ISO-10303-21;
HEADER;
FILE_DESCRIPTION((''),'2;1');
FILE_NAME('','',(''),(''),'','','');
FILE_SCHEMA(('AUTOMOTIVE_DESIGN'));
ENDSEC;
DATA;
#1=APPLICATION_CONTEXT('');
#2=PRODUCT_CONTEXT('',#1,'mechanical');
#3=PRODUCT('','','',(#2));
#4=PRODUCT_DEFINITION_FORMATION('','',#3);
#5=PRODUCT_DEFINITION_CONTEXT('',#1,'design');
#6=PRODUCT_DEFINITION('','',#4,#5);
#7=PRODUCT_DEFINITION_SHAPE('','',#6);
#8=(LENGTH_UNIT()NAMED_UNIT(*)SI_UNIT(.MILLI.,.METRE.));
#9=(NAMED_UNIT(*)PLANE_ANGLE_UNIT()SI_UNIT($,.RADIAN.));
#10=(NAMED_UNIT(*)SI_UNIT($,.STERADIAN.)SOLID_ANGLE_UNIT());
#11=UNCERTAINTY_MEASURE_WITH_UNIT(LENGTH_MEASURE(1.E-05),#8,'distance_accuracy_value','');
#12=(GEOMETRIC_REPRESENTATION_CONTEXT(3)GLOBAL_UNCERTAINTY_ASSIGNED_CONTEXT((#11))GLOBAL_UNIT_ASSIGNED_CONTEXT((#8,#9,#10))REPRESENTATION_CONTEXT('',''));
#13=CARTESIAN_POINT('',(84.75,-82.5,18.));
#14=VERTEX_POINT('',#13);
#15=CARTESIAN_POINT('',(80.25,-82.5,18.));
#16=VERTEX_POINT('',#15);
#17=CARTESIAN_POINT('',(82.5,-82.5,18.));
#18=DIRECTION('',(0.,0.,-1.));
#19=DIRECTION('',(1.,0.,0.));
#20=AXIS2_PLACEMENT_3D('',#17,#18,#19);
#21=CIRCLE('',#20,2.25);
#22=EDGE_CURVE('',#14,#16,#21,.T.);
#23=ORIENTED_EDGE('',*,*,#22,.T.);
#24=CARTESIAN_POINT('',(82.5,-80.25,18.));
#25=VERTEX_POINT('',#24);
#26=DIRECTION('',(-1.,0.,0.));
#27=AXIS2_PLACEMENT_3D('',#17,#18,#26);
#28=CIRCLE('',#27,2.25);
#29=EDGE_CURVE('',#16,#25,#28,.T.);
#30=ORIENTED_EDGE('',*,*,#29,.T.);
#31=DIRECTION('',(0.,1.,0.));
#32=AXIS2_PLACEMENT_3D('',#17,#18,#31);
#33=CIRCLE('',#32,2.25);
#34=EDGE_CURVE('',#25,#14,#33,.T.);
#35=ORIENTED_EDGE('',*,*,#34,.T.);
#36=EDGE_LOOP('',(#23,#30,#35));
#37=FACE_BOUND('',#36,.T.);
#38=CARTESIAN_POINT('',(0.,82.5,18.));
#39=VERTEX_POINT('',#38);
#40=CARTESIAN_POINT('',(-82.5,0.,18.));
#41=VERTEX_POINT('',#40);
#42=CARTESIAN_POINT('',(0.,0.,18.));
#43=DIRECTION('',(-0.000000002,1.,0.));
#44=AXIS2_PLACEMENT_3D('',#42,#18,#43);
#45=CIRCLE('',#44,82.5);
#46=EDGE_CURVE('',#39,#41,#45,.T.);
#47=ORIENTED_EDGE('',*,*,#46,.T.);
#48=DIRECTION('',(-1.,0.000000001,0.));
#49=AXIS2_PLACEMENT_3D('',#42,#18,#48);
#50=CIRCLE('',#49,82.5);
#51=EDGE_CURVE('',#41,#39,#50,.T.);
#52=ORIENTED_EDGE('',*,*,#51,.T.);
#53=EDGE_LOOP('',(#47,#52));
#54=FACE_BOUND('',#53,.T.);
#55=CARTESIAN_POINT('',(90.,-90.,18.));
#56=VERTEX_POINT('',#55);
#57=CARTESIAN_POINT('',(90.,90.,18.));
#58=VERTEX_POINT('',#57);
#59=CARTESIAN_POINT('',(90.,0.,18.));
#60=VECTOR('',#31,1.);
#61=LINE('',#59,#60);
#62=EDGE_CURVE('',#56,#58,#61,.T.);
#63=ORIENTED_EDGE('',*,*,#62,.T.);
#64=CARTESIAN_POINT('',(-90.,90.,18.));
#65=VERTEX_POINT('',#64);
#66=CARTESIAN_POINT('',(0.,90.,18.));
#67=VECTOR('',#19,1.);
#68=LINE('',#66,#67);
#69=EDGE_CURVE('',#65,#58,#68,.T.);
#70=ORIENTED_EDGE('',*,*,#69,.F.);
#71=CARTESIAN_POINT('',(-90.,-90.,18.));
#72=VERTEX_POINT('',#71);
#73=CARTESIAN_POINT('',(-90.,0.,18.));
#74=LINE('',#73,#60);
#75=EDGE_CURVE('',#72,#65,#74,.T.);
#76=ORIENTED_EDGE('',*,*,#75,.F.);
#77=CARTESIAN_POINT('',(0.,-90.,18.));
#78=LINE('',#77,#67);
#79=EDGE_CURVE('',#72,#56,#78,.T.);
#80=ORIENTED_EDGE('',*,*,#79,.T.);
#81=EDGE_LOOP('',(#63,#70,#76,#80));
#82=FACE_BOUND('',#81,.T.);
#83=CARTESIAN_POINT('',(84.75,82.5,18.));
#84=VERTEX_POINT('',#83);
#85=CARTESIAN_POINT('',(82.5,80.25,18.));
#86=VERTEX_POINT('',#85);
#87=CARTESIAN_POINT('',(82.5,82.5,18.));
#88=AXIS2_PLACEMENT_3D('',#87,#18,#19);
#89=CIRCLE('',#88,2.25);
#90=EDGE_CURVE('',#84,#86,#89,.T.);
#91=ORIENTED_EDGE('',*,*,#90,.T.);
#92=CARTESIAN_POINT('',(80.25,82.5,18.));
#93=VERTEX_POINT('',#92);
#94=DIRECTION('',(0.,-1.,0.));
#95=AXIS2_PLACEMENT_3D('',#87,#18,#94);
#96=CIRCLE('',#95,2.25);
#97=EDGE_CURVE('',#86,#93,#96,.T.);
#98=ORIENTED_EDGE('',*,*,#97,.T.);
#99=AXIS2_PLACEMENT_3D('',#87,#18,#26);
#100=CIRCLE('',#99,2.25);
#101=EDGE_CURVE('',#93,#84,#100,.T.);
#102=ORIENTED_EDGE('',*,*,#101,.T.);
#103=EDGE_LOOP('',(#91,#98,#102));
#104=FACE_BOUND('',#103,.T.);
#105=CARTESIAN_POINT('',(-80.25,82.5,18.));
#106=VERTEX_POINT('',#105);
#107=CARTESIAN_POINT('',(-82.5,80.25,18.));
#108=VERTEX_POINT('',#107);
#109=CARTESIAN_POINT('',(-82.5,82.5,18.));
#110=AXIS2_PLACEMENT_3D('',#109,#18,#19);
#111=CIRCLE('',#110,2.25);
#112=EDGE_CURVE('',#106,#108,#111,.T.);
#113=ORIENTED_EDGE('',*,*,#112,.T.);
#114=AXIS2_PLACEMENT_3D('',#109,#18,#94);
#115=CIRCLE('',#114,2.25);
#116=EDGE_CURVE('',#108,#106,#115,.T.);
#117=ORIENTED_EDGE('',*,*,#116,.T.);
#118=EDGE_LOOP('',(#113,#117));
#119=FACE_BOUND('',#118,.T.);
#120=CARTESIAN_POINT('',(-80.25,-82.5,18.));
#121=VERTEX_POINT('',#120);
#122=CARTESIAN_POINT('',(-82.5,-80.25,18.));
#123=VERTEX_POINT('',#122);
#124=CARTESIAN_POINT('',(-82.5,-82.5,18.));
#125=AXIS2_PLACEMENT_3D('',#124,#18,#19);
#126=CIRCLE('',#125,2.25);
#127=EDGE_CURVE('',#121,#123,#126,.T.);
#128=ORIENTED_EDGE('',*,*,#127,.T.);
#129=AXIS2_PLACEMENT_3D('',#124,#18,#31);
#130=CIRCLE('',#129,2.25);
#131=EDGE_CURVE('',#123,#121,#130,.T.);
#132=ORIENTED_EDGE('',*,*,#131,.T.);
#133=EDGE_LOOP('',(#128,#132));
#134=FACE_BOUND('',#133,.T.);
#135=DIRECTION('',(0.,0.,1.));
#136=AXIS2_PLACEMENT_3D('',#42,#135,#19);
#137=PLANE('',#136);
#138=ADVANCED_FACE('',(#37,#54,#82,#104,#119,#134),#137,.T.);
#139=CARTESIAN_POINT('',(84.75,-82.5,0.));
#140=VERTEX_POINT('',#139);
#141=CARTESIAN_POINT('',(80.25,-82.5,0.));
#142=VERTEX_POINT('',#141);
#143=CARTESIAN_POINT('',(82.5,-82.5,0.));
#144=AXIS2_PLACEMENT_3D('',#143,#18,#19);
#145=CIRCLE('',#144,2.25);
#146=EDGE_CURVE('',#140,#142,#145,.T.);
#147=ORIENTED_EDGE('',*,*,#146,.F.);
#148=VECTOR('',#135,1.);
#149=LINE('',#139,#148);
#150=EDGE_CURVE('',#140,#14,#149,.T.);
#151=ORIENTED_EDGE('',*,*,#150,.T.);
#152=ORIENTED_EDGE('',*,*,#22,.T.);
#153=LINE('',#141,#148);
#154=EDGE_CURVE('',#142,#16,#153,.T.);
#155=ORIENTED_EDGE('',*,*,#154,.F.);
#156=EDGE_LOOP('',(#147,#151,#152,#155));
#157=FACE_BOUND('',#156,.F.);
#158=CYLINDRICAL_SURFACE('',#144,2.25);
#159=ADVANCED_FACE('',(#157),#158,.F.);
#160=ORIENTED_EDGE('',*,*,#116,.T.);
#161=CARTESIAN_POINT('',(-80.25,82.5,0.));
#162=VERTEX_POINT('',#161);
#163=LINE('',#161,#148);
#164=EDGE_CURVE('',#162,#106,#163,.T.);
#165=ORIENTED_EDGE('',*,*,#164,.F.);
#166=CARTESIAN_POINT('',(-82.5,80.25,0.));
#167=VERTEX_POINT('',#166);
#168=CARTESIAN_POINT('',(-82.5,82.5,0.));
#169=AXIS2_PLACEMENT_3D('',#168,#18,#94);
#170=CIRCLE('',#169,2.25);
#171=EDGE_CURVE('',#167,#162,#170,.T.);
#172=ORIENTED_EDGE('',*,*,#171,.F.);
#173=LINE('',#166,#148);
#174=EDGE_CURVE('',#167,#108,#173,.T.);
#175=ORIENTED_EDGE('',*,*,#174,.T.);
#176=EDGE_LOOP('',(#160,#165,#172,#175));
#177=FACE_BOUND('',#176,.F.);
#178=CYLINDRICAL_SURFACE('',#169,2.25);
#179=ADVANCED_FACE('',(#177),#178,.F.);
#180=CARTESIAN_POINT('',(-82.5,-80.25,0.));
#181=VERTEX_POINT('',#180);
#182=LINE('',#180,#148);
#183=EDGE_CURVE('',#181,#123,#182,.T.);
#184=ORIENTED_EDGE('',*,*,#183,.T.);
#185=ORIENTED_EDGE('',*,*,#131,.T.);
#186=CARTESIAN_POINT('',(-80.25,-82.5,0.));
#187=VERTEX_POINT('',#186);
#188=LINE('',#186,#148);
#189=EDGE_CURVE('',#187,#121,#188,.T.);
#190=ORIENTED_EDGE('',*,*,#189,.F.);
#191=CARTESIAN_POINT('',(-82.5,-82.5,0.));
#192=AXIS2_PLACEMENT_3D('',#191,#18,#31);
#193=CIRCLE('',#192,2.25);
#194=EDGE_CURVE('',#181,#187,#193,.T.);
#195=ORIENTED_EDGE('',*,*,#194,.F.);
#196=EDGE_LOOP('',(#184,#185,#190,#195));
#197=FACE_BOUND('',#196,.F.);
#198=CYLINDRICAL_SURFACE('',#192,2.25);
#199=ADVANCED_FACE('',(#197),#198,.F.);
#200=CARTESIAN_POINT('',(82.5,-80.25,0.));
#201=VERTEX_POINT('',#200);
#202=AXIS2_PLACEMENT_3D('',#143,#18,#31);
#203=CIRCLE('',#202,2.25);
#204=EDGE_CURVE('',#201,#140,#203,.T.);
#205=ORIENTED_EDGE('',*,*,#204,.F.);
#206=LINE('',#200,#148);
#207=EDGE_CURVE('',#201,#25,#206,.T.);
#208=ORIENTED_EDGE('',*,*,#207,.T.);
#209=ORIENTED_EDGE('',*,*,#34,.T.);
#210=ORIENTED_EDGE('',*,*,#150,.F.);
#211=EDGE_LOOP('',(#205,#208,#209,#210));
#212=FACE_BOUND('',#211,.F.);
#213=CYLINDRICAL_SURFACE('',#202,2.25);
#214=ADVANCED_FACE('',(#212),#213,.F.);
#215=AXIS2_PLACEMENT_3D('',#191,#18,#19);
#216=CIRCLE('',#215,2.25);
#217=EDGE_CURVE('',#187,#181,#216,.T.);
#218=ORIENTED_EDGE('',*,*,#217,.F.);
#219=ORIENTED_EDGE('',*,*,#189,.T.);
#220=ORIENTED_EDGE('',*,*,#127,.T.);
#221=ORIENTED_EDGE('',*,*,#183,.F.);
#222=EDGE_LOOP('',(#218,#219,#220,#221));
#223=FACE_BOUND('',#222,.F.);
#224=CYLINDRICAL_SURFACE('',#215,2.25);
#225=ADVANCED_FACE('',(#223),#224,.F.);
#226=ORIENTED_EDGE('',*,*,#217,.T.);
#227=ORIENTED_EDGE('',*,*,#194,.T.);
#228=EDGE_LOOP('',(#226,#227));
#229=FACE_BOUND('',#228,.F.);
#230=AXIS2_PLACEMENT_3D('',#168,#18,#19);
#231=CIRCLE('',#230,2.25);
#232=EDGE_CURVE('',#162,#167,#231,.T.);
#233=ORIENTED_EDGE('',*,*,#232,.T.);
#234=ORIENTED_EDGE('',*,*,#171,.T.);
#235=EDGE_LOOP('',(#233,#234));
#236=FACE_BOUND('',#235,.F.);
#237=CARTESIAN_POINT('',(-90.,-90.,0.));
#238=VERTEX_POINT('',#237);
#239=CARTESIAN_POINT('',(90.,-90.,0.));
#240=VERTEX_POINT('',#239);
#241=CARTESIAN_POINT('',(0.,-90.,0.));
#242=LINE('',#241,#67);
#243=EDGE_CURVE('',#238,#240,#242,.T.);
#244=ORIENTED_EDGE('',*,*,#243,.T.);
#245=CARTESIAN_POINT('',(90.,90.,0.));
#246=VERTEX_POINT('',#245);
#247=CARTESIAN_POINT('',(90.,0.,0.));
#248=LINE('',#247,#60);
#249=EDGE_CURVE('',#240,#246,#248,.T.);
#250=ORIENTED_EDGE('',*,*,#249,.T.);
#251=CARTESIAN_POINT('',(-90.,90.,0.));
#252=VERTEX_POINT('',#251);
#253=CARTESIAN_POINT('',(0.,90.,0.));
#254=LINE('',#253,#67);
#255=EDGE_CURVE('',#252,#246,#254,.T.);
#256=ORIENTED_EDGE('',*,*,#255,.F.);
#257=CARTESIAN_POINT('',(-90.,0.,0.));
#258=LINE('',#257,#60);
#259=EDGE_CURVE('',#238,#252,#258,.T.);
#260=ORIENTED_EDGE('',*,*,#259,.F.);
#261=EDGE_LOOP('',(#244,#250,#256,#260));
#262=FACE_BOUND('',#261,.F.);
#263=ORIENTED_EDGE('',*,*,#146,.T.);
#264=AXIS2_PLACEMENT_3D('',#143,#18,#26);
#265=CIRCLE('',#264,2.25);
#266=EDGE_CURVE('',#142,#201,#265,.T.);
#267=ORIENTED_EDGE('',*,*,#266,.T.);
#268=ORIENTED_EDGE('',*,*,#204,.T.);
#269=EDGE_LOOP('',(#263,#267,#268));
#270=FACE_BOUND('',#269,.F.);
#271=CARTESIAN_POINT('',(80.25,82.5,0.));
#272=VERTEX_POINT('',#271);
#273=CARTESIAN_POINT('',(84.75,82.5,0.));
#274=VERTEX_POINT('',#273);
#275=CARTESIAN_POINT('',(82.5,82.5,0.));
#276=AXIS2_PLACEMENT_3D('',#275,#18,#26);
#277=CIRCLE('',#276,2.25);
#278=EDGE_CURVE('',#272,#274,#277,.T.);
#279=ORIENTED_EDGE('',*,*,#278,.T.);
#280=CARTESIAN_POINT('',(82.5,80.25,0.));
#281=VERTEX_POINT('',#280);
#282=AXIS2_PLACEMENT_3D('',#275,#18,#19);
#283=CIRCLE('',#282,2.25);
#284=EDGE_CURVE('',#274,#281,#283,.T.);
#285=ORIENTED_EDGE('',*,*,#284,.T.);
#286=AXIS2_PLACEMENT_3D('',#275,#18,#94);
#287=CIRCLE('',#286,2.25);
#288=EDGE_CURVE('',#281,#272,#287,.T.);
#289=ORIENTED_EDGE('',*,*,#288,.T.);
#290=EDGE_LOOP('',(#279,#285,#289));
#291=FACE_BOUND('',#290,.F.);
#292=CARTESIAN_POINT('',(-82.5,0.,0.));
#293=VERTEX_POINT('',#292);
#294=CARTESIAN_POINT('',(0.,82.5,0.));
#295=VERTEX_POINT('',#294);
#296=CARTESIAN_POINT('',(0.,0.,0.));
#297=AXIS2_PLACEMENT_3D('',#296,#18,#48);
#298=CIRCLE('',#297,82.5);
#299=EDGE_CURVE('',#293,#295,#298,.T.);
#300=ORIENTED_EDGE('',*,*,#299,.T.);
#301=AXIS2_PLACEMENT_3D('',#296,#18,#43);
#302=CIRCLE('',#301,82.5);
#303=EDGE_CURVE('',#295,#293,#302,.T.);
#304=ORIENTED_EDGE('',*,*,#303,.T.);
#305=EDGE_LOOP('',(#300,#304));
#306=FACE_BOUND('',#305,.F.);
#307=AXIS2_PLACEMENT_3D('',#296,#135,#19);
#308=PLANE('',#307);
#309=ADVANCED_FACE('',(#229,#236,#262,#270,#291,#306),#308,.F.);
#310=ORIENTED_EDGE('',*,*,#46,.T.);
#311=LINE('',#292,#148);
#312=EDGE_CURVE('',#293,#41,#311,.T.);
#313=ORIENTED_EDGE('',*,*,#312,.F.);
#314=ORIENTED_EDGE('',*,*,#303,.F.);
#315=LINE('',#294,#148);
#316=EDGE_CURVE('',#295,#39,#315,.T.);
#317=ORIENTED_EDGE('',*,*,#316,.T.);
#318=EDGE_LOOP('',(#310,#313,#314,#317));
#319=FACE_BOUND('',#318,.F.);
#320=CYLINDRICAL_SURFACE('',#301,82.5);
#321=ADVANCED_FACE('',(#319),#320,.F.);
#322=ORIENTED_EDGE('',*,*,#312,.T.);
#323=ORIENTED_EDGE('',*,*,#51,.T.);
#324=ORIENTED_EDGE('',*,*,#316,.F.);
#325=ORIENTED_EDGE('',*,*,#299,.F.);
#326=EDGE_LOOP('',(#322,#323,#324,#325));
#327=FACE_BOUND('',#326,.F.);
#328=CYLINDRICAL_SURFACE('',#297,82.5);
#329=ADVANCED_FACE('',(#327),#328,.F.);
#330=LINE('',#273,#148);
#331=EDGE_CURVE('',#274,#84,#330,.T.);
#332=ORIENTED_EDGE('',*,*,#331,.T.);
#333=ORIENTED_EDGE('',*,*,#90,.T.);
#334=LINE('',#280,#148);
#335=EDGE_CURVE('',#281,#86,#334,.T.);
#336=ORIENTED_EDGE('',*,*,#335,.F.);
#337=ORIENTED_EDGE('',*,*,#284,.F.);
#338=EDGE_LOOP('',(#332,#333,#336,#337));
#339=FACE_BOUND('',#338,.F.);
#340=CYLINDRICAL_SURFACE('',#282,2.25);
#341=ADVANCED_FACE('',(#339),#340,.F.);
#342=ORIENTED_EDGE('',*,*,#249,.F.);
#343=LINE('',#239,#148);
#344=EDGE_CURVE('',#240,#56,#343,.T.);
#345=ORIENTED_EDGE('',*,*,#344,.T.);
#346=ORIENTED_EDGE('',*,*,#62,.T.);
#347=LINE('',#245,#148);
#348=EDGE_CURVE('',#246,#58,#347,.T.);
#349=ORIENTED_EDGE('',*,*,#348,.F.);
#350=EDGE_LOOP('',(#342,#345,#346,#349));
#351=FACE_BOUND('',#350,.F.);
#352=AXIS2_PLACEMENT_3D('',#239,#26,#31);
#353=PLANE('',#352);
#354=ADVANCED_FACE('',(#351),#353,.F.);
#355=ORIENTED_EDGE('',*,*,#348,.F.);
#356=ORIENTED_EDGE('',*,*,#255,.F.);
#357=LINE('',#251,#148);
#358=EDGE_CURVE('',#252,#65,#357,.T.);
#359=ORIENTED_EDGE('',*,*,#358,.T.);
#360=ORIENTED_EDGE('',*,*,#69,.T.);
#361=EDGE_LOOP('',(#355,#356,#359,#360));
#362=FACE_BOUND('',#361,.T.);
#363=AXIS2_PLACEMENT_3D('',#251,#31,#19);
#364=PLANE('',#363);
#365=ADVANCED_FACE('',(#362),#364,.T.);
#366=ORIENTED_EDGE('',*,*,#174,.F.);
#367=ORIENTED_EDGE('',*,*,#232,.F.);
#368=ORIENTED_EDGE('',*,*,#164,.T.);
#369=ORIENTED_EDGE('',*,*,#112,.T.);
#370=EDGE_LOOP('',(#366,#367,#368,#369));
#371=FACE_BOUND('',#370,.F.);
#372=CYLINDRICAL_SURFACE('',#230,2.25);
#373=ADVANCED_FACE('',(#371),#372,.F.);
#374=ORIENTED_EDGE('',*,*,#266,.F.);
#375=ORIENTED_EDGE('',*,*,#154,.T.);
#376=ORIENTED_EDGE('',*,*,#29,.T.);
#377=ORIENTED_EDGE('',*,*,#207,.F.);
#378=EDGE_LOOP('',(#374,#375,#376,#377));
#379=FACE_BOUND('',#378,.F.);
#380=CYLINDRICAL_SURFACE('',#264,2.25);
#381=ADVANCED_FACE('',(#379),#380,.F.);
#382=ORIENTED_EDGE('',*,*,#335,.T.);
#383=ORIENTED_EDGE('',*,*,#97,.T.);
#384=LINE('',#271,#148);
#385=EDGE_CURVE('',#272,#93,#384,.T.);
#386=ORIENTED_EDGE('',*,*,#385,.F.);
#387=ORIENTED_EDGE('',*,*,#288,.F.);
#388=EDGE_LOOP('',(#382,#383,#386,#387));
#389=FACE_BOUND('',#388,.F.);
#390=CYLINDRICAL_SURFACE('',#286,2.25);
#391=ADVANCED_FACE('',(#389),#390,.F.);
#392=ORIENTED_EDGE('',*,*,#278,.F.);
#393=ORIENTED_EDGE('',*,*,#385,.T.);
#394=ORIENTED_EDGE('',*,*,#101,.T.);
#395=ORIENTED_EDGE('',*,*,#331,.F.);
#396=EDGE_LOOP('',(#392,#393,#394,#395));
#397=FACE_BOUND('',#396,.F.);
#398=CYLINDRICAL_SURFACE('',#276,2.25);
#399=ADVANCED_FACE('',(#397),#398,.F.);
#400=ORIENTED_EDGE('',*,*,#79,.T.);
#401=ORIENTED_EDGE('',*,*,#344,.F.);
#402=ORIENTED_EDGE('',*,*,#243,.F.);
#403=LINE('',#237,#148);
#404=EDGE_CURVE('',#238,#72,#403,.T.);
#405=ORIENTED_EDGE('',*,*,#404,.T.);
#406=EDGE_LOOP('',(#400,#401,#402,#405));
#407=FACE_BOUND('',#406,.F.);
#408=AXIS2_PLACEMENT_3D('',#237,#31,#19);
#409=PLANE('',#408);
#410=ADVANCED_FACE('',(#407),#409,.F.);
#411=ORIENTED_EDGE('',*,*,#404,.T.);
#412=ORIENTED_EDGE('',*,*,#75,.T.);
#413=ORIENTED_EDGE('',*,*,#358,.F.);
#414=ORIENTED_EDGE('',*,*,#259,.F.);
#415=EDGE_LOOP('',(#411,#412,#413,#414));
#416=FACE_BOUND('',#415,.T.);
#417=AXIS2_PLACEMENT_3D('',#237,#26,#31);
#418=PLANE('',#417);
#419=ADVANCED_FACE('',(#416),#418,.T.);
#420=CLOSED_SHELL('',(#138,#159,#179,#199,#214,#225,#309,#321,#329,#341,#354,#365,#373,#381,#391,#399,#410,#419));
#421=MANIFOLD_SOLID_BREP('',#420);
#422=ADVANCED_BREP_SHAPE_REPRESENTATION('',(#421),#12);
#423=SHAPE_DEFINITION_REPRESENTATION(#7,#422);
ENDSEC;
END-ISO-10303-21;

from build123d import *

# Parameters (mm, degrees)
F0_W     = 180
F0_H     = 180
F1_DEPTH = 18


with BuildPart() as f1:
    # F0 (on Top) → F1 (new body)
    with BuildSketch(Plane.XY):
        Rectangle(F0_W, F0_H)
        with BuildLine():
            Line((7.67e-08, -82.5), (-80.25, -82.5))
            ThreePointArc((-80.25, -82.5), (-84.0909902577, -84.0909902577), (-82.5, -80.25))
            Line((-82.5, -80.25), (-82.5, 6.55e-08))
            Line((-82.5, 6.55e-08), (-82.5, 80.25))
            ThreePointArc((-82.5, 80.25), (-84.0909902577, 84.0909902577), (-80.25, 82.5))
            Line((-80.25, 82.5), (-2.008e-07, 82.5))
            Line((-2.008e-07, 82.5), (80.25, 82.5))
            ThreePointArc((80.25, 82.5), (82.5, 84.75), (84.75, 82.5))
            ThreePointArc((84.75, 82.5), (84.0909902577, 80.9090097423), (82.5, 80.25))
            Line((82.5, 80.25), (82.5, 0))
            Line((82.5, 0), (82.5, -80.25))
            ThreePointArc((82.5, -80.25), (84.0909902577, -80.9090097423), (84.75, -82.5))
            ThreePointArc((84.75, -82.5), (82.5, -84.75), (80.25, -82.5))
            Line((80.25, -82.5), (7.67e-08, -82.5))
        make_face(mode=Mode.SUBTRACT)
        with BuildLine():
            ThreePointArc((-82.5, -80.25), (-80.9090097423, -80.9090097423), (-80.25, -82.5))
            Line((-80.25, -82.5), (7.67e-08, -82.5))
            ThreePointArc((7.67e-08, -82.5), (-58.3363094439, -58.3363094519), (-82.5, 6.55e-08))
            Line((-82.5, 6.55e-08), (-82.5, -80.25))
        make_face()
        with BuildLine():
            Line((-82.5, 80.25), (-82.5, 6.55e-08))
            ThreePointArc((-82.5, 6.55e-08), (-58.3363094957, 58.3363094), (-2.008e-07, 82.5))
            Line((-2.008e-07, 82.5), (-80.25, 82.5))
            ThreePointArc((-80.25, 82.5), (-80.9090097423, 80.9090097423), (-82.5, 80.25))
        make_face()
        with BuildLine():
            ThreePointArc((82.5, 0), (58.336309475, -58.3363094208), (7.67e-08, -82.5))
            Line((7.67e-08, -82.5), (80.25, -82.5))
            ThreePointArc((80.25, -82.5), (80.9090097423, -80.9090097423), (82.5, -80.25))
            Line((82.5, -80.25), (82.5, 0))
        make_face()
        with BuildLine():
            ThreePointArc((-2.008e-07, 82.5), (58.3363093769, 58.3363095189), (82.5, 0))
            Line((82.5, 0), (82.5, 80.25))
            ThreePointArc((82.5, 80.25), (80.9090097423, 80.9090097423), (80.25, 82.5))
            Line((80.25, 82.5), (-2.008e-07, 82.5))
        make_face()
    extrude(amount=F1_DEPTH)


solid = f1.part
